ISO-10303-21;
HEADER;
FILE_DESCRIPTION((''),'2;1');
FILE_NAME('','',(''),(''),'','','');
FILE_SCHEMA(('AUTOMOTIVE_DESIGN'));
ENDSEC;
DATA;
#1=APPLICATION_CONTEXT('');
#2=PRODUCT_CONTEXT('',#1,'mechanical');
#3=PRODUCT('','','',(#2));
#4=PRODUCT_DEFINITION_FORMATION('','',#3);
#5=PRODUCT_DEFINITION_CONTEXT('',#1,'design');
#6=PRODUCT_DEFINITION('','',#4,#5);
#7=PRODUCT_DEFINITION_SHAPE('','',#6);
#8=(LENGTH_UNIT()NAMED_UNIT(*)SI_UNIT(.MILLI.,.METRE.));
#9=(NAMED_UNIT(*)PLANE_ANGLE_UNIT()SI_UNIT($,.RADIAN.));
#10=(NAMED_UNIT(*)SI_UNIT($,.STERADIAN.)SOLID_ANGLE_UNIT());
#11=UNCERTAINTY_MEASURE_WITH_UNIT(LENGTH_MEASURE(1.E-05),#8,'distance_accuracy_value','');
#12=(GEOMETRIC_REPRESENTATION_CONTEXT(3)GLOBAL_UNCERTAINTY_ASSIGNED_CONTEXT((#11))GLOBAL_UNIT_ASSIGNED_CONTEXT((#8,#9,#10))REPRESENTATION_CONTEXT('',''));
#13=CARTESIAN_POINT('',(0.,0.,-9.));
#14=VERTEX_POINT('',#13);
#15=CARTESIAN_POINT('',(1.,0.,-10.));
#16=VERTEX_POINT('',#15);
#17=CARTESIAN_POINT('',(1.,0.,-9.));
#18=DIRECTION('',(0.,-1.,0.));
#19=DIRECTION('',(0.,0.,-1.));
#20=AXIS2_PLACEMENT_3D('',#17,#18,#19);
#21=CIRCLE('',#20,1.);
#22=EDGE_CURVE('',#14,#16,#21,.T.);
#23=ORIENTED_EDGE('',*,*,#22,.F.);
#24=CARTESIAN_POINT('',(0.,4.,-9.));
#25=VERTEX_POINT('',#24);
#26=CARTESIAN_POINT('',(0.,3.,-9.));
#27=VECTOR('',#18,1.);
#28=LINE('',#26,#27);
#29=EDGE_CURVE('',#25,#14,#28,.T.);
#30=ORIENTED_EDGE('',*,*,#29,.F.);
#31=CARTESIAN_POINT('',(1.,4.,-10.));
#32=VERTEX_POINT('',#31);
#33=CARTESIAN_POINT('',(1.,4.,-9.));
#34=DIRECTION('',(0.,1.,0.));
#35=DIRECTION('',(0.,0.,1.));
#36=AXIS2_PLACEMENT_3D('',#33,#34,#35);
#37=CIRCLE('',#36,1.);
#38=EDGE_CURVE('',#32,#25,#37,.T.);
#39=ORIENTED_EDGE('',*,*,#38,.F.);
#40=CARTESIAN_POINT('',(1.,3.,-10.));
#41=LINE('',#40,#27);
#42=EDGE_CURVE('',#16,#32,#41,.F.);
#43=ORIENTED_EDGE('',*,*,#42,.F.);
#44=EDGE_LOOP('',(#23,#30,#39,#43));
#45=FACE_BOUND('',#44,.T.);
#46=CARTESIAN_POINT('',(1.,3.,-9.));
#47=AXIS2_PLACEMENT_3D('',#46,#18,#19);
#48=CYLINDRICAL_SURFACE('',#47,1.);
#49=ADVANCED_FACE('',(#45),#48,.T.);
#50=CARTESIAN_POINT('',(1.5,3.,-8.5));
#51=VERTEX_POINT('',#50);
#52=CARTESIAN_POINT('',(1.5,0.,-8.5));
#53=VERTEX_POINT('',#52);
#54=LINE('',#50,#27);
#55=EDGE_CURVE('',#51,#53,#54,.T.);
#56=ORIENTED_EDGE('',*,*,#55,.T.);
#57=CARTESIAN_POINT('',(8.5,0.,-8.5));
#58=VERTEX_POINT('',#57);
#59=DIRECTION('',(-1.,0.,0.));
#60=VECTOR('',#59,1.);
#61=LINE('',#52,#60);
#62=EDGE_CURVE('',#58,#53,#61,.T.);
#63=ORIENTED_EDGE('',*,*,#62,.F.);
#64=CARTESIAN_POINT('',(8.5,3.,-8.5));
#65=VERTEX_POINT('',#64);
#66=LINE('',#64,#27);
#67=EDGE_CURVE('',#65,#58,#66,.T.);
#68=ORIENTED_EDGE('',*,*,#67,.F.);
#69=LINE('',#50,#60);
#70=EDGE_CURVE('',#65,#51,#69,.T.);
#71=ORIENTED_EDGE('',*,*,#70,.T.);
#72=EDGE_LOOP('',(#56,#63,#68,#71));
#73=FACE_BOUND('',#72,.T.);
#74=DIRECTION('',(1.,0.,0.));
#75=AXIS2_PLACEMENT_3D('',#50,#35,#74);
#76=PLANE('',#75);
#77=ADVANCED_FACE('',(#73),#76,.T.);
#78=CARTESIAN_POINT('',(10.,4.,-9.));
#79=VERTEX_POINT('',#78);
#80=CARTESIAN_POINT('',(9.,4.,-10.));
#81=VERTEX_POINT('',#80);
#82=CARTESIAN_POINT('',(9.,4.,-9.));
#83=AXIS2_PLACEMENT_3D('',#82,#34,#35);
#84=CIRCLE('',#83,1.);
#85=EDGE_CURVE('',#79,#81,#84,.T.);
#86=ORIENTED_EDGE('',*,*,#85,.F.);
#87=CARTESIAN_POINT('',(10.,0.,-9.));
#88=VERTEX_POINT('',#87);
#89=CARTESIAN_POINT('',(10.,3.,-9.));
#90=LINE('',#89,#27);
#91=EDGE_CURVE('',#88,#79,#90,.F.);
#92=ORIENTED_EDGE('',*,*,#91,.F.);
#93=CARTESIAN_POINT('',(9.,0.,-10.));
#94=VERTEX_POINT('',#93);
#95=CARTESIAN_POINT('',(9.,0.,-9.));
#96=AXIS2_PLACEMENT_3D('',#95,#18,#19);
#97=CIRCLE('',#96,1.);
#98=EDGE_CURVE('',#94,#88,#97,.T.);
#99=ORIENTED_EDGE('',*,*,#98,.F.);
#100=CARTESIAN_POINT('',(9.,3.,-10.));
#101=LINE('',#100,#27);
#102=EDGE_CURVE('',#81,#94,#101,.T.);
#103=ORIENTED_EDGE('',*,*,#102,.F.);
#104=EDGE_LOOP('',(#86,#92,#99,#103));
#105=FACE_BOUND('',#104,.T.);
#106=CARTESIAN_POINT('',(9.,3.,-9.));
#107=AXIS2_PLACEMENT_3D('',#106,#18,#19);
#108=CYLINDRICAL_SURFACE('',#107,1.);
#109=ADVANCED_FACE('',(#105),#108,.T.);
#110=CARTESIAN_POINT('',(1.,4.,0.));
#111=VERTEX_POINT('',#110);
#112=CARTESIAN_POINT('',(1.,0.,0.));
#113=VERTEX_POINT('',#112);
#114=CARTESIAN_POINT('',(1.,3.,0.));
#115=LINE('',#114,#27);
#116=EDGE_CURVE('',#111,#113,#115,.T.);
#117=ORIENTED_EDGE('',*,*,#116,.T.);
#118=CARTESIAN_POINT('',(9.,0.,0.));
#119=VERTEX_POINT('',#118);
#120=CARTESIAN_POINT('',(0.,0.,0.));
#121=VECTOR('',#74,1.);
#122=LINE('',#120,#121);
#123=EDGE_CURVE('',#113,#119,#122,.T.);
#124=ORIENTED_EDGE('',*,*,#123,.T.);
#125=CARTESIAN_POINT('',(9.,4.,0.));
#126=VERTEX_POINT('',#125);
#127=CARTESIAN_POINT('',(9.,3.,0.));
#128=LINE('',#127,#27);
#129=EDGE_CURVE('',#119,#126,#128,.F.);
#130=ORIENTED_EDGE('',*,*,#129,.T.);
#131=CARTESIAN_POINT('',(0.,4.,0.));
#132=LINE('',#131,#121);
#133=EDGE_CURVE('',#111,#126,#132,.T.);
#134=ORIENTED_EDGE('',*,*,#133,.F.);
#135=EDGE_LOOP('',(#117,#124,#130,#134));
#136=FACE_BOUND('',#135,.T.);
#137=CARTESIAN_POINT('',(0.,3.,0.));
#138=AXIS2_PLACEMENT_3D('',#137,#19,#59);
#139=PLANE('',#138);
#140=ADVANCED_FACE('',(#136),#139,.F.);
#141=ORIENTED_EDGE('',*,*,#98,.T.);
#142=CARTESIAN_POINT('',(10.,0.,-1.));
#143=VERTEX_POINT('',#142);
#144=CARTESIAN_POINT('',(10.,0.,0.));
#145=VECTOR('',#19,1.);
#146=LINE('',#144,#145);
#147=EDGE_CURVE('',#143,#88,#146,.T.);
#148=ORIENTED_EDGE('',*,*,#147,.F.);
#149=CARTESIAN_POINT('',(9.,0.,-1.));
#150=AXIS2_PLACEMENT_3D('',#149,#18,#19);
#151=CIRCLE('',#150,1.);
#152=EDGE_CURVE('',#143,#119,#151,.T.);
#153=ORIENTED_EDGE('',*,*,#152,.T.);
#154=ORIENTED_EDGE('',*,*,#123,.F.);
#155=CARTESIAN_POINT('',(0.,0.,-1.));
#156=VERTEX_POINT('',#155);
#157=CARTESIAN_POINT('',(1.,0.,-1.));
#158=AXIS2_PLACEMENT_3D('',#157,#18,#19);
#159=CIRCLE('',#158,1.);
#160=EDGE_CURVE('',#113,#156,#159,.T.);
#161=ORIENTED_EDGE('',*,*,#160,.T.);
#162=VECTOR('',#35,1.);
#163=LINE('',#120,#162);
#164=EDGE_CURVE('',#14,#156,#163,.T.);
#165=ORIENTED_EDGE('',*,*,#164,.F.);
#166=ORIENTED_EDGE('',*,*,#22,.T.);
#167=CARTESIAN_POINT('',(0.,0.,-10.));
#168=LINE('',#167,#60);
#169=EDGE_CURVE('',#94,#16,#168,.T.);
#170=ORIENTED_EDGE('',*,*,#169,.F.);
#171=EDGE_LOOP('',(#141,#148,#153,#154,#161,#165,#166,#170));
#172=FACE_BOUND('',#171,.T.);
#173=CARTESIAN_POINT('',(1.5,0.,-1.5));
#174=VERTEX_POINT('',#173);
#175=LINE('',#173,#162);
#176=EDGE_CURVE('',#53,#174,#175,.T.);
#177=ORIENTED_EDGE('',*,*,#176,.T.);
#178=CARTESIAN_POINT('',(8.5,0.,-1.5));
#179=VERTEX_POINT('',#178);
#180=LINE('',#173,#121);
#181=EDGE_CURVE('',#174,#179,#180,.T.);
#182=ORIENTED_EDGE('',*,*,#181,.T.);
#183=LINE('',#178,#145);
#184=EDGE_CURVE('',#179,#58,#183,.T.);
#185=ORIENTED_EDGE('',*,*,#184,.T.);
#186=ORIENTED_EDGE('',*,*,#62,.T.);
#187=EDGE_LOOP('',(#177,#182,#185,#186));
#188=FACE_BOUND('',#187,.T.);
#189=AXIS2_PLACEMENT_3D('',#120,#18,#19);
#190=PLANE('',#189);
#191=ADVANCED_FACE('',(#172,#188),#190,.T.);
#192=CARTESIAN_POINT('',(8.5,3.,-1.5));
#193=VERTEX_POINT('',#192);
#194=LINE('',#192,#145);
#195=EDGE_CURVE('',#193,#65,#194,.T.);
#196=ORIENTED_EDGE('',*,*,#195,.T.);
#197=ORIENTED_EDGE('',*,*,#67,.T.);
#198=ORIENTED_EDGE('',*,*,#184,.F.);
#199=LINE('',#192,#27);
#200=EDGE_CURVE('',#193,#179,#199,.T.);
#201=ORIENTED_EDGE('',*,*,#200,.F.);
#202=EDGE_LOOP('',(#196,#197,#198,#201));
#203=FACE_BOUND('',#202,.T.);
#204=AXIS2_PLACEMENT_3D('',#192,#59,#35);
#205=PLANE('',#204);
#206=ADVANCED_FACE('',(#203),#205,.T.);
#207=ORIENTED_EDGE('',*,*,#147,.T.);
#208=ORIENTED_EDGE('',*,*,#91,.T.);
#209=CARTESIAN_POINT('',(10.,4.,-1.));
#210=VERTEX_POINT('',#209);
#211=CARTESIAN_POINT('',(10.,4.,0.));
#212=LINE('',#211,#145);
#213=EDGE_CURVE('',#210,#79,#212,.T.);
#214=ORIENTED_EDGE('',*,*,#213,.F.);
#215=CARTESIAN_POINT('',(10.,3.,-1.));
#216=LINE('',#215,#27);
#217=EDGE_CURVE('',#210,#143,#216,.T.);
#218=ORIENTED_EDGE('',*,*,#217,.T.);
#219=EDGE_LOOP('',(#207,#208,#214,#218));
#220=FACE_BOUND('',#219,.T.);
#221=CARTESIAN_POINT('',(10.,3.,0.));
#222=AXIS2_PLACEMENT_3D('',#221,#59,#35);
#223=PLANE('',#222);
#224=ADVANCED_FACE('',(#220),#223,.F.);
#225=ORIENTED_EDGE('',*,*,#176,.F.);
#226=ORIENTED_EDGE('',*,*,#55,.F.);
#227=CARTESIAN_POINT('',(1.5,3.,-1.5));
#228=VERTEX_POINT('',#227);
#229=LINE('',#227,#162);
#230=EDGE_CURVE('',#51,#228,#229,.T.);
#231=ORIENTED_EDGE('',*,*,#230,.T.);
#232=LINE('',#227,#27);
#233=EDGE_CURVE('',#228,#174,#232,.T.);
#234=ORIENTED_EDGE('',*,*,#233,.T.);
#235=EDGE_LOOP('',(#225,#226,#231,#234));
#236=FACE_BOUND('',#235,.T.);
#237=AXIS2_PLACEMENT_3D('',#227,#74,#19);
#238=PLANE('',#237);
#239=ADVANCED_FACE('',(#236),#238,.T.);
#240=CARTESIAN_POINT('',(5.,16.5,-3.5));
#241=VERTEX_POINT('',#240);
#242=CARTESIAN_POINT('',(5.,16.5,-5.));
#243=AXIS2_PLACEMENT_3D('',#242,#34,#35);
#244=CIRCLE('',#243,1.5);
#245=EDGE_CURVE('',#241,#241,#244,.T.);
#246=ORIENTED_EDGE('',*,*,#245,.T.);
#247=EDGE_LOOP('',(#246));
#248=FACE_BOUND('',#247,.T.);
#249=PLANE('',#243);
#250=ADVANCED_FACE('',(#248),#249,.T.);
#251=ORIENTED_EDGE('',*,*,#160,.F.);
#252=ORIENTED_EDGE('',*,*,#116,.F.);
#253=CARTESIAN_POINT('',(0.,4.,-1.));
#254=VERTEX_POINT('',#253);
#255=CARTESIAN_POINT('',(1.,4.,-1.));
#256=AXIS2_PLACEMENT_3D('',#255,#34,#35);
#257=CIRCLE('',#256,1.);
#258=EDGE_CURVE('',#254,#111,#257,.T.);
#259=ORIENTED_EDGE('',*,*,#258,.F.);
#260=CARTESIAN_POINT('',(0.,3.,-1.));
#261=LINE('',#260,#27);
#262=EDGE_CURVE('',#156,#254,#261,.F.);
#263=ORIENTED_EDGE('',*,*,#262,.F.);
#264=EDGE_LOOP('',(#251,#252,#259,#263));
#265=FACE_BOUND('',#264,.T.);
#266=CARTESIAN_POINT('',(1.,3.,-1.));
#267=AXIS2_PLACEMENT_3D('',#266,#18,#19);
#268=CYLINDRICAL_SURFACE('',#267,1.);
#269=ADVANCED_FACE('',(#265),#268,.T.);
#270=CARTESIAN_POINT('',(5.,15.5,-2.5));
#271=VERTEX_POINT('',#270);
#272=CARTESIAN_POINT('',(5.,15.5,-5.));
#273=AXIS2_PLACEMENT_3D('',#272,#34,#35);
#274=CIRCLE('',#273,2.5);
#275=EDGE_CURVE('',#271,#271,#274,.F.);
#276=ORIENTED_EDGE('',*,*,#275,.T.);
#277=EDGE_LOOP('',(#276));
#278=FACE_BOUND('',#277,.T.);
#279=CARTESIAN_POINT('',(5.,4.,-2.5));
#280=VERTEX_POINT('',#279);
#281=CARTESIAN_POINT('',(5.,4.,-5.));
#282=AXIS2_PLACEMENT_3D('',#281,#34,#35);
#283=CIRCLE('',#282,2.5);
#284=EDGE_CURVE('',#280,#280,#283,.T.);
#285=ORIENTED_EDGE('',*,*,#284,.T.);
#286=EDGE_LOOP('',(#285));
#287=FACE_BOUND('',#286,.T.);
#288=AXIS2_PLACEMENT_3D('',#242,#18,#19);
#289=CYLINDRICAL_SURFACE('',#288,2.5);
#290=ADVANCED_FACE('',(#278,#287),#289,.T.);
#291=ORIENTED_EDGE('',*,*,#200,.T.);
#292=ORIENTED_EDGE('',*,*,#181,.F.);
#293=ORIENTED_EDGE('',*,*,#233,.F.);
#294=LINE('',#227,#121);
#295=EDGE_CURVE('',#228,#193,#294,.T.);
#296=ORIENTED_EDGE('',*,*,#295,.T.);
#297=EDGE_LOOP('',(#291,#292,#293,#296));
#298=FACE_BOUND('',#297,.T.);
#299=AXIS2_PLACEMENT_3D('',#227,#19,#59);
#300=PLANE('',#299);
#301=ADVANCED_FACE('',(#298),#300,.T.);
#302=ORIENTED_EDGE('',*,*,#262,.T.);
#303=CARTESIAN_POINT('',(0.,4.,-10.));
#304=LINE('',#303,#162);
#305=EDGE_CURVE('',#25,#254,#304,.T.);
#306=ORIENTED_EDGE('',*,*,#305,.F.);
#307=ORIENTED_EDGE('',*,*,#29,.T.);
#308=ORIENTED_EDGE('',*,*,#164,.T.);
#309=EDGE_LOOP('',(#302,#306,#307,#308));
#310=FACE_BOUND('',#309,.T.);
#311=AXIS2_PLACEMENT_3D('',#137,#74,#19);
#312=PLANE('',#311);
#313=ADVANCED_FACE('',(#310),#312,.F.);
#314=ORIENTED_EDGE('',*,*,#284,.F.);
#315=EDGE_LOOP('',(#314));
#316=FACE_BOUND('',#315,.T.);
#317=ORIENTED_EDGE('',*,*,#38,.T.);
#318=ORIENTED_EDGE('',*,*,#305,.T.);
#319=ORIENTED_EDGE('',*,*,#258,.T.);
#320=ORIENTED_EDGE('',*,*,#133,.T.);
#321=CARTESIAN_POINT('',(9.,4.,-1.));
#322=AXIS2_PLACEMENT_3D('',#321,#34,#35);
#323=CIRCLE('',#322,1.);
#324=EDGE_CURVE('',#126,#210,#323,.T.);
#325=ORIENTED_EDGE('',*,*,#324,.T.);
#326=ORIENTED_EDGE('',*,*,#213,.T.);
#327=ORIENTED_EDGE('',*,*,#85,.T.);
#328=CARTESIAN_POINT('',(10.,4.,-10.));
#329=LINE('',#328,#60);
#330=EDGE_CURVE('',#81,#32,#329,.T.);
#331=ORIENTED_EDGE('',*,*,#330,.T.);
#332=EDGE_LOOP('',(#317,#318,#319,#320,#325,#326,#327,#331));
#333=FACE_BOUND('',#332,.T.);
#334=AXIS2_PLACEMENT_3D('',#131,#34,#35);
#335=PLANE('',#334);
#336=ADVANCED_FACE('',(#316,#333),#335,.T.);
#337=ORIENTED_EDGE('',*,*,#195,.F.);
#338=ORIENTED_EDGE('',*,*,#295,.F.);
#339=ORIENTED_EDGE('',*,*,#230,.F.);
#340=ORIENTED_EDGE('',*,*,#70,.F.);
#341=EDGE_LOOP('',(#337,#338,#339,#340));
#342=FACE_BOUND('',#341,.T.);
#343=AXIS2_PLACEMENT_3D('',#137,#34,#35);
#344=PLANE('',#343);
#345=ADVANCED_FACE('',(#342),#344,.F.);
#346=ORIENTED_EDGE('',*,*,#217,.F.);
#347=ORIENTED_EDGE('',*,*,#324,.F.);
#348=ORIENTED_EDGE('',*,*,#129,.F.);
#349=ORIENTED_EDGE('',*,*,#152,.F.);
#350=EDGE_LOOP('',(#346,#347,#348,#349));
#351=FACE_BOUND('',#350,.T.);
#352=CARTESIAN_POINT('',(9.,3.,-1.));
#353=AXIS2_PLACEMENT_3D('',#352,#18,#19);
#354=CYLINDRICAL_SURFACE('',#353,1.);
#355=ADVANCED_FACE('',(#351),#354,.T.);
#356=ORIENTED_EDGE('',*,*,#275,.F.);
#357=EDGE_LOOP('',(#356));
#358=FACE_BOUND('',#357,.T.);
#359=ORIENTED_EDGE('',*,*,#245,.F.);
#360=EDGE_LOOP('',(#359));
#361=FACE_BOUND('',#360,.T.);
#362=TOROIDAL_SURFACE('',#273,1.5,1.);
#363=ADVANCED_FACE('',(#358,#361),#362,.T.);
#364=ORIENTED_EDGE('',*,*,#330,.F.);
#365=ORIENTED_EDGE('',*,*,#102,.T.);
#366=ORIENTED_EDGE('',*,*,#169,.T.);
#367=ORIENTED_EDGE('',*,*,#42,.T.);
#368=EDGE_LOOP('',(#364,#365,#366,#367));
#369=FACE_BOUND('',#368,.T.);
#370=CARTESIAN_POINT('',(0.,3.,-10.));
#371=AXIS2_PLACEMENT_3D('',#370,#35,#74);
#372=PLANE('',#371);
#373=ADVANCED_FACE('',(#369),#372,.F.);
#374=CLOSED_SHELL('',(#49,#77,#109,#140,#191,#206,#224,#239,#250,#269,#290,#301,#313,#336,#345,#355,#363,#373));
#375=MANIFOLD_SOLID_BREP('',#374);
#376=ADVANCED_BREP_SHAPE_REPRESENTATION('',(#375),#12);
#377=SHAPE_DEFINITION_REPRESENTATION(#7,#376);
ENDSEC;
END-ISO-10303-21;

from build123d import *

# Parameters (mm, degrees)
SKETCH1_W           = 10
SKETCH1_H           = 10
SKETCH1_W_2         = 7
SKETCH1_H_2         = 7
BOSS_EXTRUDE1_DEPTH = 3
SKETCH2_W           = 10
SKETCH2_H           = 10
BOSS_EXTRUDE2_DEPTH = 1
SKETCH3_R           = 2.5
BOSS_EXTRUDE3_DEPTH = 12.5
FILLET1_R           = 1


with BuildPart() as part:
    # Sketch1 → Boss-Extrude1 (new body)
    with BuildSketch(Plane(origin=(0, 0, 0), x_dir=(1, 0, 0), z_dir=(0, 1, 0))):
        with Locations((5, 5)):
            Rectangle(SKETCH1_W, SKETCH1_H)
        with Locations((5, 5)):
            Rectangle(SKETCH1_W_2, SKETCH1_H_2, mode=Mode.SUBTRACT)
    extrude(amount=BOSS_EXTRUDE1_DEPTH)

    # Sketch2 → Boss-Extrude2 (add)
    with BuildSketch(Plane(origin=(0, 3, 0), x_dir=(1, 0, 0), z_dir=(0, 1, 0))):
        with Locations((5, 5)):
            Rectangle(SKETCH2_W, SKETCH2_H)
    extrude(amount=BOSS_EXTRUDE2_DEPTH)

    # Sketch3 → Boss-Extrude3 (add)
    with BuildSketch(Plane(origin=(0, 4, 0), x_dir=(1, 0, 0), z_dir=(0, 1, 0))):
        with Locations((5, 5)):
            Circle(SKETCH3_R)
    extrude(amount=BOSS_EXTRUDE3_DEPTH)

    # Fillet1
    fillet1_edges = [part.edges().sort_by_distance(p)[0] for p in [
        (2.5, 16.5, -5),
        (0, 2, -10),
        (10, 2, -10),
        (10, 2, 0),
        (0, 2, 0),
    ]]
    fillet(fillet1_edges, radius=FILLET1_R)


solid = part.part
